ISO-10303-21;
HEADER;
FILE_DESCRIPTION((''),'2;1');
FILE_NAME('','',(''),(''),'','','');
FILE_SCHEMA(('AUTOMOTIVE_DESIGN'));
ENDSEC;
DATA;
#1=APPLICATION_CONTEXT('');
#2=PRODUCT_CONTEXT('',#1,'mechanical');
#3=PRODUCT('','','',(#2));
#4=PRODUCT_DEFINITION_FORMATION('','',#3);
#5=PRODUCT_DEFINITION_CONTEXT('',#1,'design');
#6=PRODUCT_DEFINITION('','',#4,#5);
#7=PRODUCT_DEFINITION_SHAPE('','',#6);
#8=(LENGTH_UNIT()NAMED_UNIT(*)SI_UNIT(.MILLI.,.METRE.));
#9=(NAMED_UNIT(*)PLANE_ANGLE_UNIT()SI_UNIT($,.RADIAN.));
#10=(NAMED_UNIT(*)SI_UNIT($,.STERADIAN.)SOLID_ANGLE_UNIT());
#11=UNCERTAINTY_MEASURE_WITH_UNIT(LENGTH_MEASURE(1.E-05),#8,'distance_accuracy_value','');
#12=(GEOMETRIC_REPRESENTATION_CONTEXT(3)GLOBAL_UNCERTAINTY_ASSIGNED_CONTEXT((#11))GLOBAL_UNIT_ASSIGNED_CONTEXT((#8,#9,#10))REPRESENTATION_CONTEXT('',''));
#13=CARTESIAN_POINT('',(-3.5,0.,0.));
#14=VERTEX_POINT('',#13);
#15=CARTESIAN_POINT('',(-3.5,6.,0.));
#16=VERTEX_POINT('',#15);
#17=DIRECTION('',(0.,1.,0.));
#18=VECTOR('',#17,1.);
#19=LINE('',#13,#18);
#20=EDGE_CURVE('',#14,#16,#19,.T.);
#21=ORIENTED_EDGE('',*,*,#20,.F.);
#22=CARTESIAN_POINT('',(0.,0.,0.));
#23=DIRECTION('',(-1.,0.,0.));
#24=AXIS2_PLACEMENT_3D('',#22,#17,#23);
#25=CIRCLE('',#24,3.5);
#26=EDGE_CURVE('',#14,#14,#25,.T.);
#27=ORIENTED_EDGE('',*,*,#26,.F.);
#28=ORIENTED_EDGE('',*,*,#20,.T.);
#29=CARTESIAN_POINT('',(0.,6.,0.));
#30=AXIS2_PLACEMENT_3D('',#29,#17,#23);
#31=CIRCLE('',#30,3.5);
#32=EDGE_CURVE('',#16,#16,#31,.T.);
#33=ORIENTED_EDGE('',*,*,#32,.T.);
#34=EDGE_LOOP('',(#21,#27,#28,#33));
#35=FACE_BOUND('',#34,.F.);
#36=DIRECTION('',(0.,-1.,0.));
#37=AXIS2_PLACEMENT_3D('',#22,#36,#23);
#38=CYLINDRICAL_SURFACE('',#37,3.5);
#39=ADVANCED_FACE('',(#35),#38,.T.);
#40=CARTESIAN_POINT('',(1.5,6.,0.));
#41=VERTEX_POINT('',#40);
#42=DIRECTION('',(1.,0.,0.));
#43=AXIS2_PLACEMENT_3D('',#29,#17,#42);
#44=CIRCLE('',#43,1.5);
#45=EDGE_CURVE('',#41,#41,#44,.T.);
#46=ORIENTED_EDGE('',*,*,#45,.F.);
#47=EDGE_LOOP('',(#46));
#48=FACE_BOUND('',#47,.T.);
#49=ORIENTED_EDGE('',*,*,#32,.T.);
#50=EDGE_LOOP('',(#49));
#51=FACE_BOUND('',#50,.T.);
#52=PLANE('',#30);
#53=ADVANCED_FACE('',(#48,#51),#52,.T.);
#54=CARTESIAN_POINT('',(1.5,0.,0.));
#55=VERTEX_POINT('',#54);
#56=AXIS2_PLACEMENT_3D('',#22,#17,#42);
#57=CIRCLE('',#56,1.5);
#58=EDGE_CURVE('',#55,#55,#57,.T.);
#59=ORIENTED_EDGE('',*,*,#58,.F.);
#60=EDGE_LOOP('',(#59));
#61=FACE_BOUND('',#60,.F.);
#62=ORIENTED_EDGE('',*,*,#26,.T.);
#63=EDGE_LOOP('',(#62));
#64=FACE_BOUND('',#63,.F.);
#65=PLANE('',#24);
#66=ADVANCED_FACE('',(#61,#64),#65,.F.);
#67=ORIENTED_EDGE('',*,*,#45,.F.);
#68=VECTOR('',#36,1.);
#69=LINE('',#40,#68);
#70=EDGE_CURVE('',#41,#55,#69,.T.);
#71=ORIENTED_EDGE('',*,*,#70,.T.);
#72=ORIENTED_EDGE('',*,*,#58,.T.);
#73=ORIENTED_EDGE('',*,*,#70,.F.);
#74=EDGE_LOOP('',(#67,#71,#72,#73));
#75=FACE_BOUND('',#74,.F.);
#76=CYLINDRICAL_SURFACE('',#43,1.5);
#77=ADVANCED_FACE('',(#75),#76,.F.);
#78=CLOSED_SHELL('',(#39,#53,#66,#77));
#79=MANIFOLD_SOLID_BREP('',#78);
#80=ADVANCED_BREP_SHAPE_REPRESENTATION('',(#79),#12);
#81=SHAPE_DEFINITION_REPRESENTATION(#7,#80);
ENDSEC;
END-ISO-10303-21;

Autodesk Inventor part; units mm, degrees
ref_plane "YZ Plane" through (0, 0, 0) normal (1, 0, 0) x (0, 1, 0)
ref_plane "XZ Plane" through (0, 0, 0) normal (0, 1, 0) x (-1, 0, 0)
ref_plane "XY Plane" through (0, 0, 0) normal (0, 0, 1) x (1, 0, 0)
sketch "Sketch1" plane through (0, 0, 0) normal (0, 1, 0) x (-1, 0, 0)
  circle A0 centre (0, 0) radius 3.5
  dimension "d0" = 7
extrude "Extrusion1" add sketch "Sketch1" along normal blind 6
sketch "Sketch2" plane through (0, 6, 0) normal (0, 1, 0) x (1, 0, 0)
  circle A0 centre (0, 0) radius 1.5
  dimension "d3" = 3
extrude "Extrusion2" cut sketch "Sketch2" against normal blind 6
properties part number "Sos PCB_3DPrint"
